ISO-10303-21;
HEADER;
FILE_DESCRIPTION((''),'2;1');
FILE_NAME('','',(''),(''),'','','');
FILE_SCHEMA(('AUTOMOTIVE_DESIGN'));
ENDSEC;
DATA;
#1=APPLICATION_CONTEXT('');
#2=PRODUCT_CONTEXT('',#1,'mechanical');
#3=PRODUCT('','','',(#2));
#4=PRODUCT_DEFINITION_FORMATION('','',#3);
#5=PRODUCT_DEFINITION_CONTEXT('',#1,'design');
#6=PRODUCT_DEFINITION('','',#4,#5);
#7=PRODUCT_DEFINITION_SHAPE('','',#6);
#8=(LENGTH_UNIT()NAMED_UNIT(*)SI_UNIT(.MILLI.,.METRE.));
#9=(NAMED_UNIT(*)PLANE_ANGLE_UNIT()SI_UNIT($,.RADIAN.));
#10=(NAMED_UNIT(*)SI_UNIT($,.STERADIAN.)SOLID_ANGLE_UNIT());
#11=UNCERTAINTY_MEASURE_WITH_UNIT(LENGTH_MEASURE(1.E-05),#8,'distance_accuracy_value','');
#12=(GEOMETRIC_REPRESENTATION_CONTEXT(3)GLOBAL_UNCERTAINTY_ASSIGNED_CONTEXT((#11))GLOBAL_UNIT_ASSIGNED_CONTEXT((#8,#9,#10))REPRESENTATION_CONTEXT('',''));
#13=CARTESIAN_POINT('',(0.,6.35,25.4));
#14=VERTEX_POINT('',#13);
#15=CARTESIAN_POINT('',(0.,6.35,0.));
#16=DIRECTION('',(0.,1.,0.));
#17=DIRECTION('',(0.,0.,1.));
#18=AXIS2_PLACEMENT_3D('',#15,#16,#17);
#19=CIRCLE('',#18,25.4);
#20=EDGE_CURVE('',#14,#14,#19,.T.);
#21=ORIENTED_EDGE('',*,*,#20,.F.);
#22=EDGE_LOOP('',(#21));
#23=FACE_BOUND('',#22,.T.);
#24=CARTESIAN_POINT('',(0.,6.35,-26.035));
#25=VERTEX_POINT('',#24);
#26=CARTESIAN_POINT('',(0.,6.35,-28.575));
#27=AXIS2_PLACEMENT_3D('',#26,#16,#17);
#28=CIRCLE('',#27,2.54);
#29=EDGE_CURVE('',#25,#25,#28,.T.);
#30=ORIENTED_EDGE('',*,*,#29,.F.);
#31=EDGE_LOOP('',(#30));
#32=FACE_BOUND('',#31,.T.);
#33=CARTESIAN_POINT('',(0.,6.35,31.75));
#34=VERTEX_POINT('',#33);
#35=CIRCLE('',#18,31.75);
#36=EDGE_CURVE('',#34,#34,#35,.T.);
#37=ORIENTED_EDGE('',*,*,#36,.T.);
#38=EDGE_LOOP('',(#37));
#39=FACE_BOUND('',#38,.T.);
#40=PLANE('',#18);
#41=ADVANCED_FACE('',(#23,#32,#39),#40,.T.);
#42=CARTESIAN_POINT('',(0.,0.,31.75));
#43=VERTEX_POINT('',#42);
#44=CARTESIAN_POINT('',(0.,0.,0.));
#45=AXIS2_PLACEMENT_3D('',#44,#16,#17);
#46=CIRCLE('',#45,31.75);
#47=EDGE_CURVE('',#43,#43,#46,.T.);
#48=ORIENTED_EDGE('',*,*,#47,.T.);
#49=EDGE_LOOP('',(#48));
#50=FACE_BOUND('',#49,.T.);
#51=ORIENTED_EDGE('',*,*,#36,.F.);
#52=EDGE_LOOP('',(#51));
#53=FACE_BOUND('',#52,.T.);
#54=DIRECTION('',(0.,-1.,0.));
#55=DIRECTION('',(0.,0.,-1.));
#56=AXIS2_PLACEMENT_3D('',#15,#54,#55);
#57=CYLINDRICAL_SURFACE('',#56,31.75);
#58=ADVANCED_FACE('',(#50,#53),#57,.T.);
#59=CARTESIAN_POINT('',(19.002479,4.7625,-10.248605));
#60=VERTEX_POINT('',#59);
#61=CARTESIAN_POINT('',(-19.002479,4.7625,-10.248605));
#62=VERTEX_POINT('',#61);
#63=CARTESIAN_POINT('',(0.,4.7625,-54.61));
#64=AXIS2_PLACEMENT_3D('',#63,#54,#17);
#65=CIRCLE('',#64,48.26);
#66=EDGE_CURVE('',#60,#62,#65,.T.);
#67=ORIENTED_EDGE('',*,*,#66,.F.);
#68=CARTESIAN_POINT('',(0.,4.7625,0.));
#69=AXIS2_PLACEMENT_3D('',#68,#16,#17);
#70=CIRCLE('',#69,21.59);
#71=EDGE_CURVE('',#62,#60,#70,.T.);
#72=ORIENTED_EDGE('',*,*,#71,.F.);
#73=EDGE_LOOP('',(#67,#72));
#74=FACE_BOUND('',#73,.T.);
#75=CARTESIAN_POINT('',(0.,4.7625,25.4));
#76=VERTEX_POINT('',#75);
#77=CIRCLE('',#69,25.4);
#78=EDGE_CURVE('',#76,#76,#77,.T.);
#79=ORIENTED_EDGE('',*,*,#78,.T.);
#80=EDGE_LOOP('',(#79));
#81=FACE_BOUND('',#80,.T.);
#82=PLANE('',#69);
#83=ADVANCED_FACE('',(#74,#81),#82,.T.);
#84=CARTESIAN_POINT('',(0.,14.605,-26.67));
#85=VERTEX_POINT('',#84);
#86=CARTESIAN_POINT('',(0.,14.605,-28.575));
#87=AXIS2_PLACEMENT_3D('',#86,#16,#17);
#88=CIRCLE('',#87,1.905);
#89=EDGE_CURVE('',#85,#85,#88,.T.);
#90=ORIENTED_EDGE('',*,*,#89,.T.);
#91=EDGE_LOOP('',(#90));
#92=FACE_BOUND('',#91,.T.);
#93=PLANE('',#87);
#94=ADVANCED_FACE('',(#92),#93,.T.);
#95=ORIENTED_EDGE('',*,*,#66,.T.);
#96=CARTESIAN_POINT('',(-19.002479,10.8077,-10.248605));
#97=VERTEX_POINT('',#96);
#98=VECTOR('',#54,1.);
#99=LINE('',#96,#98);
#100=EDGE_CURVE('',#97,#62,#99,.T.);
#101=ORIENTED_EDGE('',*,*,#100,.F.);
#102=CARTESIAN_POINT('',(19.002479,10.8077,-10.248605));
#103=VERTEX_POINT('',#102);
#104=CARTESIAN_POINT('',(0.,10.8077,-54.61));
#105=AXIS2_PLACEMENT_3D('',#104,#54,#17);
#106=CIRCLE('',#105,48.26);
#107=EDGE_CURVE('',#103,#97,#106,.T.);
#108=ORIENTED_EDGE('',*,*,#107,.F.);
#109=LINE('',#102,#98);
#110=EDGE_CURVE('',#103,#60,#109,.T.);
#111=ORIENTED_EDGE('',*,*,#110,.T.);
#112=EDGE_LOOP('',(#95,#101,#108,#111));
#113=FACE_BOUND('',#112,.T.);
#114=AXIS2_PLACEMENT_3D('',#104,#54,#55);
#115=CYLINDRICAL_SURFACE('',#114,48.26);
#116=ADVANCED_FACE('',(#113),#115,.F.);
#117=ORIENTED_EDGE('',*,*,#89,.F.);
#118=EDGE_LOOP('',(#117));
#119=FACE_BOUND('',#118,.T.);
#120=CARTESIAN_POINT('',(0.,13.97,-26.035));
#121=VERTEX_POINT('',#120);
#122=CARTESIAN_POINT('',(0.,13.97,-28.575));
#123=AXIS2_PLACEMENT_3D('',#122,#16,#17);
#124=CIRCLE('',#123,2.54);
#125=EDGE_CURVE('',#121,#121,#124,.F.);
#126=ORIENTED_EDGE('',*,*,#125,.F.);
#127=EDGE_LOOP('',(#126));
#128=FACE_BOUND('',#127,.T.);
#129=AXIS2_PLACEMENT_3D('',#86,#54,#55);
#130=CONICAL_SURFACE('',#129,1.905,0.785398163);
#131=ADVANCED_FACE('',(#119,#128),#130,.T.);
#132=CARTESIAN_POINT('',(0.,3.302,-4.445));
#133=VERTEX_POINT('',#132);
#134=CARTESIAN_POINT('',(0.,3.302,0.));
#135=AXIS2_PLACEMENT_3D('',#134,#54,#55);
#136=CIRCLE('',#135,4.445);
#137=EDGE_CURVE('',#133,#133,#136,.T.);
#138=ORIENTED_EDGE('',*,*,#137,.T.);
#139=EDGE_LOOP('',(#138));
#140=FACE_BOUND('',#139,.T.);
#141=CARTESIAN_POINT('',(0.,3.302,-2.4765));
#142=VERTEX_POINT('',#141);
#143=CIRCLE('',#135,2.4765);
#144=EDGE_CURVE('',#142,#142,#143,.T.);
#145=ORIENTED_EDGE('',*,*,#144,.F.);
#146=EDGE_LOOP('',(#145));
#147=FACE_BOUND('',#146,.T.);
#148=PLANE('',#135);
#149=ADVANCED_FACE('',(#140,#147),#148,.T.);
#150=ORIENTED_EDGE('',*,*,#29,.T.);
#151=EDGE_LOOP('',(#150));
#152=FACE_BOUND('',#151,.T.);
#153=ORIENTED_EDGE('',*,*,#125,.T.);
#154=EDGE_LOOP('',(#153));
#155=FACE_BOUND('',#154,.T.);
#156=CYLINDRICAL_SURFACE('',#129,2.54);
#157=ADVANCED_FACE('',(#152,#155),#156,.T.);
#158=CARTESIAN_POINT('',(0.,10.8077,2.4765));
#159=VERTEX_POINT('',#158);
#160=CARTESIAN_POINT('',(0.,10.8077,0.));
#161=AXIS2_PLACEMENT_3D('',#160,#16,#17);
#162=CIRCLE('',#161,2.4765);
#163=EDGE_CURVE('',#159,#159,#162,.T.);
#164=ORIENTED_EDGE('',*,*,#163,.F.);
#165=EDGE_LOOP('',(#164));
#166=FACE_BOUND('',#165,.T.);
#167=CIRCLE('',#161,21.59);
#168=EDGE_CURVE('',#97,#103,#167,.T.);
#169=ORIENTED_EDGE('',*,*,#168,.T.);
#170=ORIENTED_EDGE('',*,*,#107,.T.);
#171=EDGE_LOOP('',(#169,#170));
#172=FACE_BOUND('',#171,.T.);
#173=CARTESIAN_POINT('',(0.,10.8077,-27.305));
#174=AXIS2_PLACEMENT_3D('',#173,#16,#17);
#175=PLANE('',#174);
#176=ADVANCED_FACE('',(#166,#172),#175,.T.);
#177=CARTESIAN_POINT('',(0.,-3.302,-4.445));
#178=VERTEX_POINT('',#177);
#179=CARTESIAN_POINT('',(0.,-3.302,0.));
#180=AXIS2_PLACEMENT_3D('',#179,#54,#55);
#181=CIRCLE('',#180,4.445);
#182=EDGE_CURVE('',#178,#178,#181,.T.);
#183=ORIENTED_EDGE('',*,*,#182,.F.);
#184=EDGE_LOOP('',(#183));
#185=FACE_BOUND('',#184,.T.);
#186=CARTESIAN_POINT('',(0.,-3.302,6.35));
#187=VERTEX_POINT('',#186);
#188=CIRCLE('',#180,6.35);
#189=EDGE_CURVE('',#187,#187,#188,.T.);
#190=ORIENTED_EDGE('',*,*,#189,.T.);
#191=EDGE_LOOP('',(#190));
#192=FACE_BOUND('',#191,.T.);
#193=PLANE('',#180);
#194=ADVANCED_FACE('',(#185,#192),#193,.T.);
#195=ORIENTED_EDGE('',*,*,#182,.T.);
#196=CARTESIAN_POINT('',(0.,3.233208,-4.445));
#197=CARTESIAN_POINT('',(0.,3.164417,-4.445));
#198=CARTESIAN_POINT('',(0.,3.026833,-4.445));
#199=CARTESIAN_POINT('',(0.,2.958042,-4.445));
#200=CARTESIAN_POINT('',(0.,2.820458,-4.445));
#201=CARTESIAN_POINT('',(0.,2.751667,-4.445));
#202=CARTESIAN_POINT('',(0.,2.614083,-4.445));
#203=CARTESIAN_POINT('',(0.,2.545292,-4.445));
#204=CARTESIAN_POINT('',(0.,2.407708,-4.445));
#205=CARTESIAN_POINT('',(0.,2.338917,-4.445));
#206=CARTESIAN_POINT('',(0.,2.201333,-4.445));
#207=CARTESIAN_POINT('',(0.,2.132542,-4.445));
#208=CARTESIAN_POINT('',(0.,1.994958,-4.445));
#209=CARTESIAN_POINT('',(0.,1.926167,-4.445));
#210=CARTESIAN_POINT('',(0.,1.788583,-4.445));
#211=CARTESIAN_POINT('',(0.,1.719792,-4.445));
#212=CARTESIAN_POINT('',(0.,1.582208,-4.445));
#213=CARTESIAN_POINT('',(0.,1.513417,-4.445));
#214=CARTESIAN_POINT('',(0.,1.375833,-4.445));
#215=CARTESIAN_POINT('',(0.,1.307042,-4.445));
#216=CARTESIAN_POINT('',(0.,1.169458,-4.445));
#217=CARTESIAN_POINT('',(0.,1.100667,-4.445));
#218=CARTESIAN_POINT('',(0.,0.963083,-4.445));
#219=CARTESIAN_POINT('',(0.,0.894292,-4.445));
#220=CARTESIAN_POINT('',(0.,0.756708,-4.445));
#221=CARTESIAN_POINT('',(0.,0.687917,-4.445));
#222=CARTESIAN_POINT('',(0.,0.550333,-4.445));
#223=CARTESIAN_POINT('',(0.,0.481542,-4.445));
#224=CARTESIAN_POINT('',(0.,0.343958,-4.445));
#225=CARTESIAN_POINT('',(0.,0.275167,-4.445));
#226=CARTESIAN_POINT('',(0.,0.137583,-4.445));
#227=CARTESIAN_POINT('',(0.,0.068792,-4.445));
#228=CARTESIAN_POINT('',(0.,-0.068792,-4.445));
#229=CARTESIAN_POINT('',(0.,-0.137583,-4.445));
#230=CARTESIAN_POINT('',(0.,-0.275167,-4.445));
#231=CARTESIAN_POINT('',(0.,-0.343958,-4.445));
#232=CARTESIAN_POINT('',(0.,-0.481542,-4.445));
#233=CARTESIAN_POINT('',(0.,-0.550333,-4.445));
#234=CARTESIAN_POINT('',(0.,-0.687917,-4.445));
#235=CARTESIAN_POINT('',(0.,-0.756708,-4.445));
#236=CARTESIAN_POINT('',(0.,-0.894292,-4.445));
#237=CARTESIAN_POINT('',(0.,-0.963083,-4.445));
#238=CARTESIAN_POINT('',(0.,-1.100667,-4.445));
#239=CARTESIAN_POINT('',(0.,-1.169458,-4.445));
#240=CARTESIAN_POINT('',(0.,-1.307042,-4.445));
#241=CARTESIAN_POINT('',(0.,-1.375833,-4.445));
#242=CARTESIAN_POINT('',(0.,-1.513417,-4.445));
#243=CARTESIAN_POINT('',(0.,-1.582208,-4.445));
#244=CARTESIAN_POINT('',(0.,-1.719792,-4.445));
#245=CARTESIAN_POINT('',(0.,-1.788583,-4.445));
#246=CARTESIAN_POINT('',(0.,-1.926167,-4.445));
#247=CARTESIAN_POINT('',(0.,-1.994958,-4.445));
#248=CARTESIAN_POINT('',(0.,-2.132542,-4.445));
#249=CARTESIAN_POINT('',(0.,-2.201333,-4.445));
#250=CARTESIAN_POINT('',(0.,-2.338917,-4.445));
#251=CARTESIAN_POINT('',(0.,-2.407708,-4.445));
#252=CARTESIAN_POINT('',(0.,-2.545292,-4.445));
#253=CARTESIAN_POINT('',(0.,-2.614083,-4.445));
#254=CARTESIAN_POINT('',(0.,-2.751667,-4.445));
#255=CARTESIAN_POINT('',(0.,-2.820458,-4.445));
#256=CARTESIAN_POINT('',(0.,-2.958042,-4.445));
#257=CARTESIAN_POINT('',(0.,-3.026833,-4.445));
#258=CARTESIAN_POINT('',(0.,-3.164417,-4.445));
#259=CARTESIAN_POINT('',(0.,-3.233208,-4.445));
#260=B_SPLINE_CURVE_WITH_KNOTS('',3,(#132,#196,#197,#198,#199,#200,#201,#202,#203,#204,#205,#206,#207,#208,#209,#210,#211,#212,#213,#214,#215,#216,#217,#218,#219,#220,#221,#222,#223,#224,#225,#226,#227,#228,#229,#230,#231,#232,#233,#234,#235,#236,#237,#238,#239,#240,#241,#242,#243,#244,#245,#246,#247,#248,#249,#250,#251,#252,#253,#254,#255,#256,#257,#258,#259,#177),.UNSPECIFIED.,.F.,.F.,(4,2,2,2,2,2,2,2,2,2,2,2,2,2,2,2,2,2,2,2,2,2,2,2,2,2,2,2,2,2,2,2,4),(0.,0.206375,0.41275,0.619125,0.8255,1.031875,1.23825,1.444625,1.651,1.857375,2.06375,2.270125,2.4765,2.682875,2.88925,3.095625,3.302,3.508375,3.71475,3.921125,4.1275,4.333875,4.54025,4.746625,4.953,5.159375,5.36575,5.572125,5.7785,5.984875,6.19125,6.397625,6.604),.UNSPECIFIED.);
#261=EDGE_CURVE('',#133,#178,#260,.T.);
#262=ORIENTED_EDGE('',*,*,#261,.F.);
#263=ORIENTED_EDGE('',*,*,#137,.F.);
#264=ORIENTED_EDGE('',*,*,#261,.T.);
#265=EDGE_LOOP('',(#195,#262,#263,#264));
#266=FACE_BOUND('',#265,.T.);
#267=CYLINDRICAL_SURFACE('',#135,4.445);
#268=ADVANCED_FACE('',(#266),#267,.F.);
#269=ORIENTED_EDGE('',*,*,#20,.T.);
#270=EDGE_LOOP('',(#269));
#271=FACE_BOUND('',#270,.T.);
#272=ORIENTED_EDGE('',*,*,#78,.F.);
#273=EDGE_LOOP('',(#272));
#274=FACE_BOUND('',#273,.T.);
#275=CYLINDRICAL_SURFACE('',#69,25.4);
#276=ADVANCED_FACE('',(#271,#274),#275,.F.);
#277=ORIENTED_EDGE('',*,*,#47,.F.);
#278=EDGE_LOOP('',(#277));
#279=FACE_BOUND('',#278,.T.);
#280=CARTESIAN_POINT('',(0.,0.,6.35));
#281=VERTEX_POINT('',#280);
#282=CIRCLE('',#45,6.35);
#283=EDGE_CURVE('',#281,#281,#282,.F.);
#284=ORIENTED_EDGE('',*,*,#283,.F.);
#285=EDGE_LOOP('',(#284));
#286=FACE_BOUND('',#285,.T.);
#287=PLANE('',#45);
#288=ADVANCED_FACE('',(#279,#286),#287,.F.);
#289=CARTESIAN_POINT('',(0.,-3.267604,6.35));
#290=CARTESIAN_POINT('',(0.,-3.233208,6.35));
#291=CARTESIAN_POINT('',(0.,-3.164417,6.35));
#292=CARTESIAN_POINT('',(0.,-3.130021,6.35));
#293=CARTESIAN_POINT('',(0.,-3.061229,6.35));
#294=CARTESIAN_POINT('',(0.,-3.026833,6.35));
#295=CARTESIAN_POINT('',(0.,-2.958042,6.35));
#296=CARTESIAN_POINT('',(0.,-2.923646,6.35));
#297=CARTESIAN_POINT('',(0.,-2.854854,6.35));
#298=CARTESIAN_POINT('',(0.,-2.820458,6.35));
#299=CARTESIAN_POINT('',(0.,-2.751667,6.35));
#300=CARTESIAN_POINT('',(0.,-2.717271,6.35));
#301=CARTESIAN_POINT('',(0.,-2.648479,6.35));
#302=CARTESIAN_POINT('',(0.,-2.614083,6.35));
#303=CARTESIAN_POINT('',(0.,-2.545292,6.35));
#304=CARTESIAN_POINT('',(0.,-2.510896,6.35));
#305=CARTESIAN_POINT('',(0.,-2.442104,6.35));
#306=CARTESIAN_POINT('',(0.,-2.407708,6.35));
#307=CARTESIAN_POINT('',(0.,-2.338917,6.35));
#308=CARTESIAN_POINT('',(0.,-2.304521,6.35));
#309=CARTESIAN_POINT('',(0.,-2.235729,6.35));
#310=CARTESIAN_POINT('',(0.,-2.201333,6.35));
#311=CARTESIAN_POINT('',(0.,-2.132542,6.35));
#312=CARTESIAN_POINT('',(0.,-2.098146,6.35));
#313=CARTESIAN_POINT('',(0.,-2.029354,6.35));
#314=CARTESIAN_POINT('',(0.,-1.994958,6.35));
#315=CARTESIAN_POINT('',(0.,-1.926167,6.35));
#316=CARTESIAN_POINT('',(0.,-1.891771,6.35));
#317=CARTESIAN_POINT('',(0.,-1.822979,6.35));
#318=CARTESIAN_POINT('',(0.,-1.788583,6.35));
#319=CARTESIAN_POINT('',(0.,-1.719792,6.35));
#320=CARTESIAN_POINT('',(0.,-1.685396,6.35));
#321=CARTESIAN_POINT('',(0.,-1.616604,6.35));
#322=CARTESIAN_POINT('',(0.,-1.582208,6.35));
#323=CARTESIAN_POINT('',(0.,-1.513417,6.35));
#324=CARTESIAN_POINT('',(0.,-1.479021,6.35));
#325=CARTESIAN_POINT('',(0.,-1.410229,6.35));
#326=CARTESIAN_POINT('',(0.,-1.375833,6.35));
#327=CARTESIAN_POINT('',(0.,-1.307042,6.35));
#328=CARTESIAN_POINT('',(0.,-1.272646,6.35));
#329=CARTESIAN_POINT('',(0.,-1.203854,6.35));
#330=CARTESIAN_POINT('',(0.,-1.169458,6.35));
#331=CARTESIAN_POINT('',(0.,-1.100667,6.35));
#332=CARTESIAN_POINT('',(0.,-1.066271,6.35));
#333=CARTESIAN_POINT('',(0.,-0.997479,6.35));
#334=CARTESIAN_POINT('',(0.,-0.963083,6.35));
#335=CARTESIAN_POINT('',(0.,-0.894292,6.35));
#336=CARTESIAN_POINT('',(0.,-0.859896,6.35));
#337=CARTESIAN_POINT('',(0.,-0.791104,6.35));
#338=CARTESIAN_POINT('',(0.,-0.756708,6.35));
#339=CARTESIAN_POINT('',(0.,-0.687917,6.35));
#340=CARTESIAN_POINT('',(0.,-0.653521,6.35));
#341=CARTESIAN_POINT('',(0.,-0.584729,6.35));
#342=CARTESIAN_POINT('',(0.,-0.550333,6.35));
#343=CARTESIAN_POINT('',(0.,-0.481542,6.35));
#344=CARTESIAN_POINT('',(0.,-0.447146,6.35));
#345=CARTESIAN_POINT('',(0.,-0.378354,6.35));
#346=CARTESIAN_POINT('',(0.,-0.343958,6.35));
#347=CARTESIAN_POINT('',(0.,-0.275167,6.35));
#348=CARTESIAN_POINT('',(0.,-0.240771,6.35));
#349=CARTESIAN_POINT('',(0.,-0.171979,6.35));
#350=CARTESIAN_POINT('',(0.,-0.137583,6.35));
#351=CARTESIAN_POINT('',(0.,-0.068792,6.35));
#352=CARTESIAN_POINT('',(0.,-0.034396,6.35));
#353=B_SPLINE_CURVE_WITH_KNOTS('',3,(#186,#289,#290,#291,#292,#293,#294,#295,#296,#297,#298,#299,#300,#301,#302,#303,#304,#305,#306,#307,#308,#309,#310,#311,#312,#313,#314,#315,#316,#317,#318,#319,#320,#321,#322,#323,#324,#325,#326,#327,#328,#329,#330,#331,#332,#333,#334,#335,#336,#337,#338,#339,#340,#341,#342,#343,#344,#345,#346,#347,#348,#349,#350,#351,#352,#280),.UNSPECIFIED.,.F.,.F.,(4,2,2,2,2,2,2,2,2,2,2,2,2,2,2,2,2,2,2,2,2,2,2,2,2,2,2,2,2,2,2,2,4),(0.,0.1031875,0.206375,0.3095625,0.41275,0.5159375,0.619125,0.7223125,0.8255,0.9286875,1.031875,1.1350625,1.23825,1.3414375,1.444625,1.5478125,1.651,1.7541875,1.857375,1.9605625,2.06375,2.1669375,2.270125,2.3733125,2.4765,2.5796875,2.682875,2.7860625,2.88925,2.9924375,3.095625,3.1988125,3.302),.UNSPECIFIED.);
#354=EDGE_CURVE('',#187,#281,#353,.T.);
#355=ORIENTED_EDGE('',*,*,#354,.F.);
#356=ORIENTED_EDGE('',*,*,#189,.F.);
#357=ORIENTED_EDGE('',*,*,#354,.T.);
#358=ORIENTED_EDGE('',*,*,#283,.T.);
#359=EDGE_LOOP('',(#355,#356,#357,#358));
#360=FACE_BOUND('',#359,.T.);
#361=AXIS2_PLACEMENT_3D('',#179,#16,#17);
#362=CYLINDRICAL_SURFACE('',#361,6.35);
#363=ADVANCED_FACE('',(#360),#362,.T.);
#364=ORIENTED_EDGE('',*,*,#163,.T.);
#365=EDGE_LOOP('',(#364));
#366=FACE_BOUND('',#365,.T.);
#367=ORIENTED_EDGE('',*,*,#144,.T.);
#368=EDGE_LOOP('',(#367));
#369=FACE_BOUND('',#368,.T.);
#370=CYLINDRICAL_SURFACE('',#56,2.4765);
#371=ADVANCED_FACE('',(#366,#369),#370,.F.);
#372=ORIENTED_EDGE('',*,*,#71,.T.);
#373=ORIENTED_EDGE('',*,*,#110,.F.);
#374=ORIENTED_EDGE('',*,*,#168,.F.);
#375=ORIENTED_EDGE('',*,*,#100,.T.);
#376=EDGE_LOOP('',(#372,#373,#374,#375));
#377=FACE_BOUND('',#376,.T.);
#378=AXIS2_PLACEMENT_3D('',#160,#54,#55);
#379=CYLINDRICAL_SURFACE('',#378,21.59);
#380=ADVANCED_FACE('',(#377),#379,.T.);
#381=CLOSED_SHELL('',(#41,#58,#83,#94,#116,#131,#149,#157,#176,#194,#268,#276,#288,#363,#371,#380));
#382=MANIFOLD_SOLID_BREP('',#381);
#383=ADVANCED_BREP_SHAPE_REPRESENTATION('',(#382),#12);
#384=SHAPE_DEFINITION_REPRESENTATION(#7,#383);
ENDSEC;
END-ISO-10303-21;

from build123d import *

# Parameters (mm, degrees)
SKETCH1_R           = 31.75
SKETCH1_R_2         = 2.4765
BOSS_EXTRUDE1_DEPTH = 6.35
SKETCH2_R           = 25.4
CUT_EXTRUDE1_DEPTH  = 1.5875
SKETCH3_R           = 2.4765
BOSS_EXTRUDE2_DEPTH = 6.0452
SKETCH4_R           = 2.54
BOSS_EXTRUDE3_DEPTH = 8.255
CHAMFER1_SIZE       = 0.635
SKETCH5_R           = 6.35
BOSS_EXTRUDE4_DEPTH = 3.302
SKETCH6_R           = 4.445
CUT_EXTRUDE2_DEPTH  = 6.604


with BuildPart() as part:
    # Sketch1 → Boss-Extrude1 (new body)
    with BuildSketch(Plane(origin=(0, 0, 0), x_dir=(1, 0, 0), z_dir=(0, 1, 0))):
        with Locations(Location((0, 0, 0), (0, 0, 270))):
            Circle(SKETCH1_R)
        with Locations(Location((0, 0, 0), (0, 0, 270))):
            Circle(SKETCH1_R_2, mode=Mode.SUBTRACT)
    extrude(amount=BOSS_EXTRUDE1_DEPTH)

    # Sketch2 → Cut-Extrude1 (cut)
    with BuildSketch(Plane(origin=(0, 6.35, 0), x_dir=(1, 0, 0), z_dir=(0, 1, 0))):
        with Locations(Location((0, 0, 0), (0, 0, 270))):
            Circle(SKETCH2_R)
    extrude(amount=-CUT_EXTRUDE1_DEPTH, mode=Mode.SUBTRACT)

    # Sketch3 → Boss-Extrude2 (add)
    with BuildSketch(Plane(origin=(0, 4.7625, 0), x_dir=(1, 0, 0), z_dir=(0, 1, 0))):
        with BuildLine():
            ThreePointArc((-19.002478857, 10.248604651), (0, -21.59), (19.002478857, 10.248604651))
            ThreePointArc((19.002478857, 10.248604651), (0, 6.35), (-19.002478857, 10.248604651))
        make_face()
        with Locations(Location((0, 0, 0), (0, 0, 270))):
            Circle(SKETCH3_R, mode=Mode.SUBTRACT)
    extrude(amount=BOSS_EXTRUDE2_DEPTH)

    # Sketch4 → Boss-Extrude3 (add)
    with BuildSketch(Plane(origin=(0, 6.35, 0), x_dir=(1, 0, 0), z_dir=(0, 1, 0))):
        with Locations(Location((0, 28.575, 0), (0, 0, 270))):
            Circle(SKETCH4_R)
    extrude(amount=BOSS_EXTRUDE3_DEPTH)

    # Chamfer1
    chamfer1_edges = [part.edges().sort_by_distance(p)[0] for p in [
        (0, 14.605, -31.115),
    ]]
    chamfer(chamfer1_edges, length=CHAMFER1_SIZE)

    # Sketch5 → Boss-Extrude4 (add)
    with BuildSketch(Plane.XZ):
        with Locations(Location((0, 0, 0), (0, 0, 90))):
            Circle(SKETCH5_R)
    extrude(amount=BOSS_EXTRUDE4_DEPTH)

    # Sketch6 → Cut-Extrude2 (cut)
    with BuildSketch(Plane.XZ.offset(3.302)):
        with Locations(Location((0, 0, 0), (0, 0, 270))):
            Circle(SKETCH6_R)
    extrude(amount=-CUT_EXTRUDE2_DEPTH, mode=Mode.SUBTRACT)


solid = part.part
